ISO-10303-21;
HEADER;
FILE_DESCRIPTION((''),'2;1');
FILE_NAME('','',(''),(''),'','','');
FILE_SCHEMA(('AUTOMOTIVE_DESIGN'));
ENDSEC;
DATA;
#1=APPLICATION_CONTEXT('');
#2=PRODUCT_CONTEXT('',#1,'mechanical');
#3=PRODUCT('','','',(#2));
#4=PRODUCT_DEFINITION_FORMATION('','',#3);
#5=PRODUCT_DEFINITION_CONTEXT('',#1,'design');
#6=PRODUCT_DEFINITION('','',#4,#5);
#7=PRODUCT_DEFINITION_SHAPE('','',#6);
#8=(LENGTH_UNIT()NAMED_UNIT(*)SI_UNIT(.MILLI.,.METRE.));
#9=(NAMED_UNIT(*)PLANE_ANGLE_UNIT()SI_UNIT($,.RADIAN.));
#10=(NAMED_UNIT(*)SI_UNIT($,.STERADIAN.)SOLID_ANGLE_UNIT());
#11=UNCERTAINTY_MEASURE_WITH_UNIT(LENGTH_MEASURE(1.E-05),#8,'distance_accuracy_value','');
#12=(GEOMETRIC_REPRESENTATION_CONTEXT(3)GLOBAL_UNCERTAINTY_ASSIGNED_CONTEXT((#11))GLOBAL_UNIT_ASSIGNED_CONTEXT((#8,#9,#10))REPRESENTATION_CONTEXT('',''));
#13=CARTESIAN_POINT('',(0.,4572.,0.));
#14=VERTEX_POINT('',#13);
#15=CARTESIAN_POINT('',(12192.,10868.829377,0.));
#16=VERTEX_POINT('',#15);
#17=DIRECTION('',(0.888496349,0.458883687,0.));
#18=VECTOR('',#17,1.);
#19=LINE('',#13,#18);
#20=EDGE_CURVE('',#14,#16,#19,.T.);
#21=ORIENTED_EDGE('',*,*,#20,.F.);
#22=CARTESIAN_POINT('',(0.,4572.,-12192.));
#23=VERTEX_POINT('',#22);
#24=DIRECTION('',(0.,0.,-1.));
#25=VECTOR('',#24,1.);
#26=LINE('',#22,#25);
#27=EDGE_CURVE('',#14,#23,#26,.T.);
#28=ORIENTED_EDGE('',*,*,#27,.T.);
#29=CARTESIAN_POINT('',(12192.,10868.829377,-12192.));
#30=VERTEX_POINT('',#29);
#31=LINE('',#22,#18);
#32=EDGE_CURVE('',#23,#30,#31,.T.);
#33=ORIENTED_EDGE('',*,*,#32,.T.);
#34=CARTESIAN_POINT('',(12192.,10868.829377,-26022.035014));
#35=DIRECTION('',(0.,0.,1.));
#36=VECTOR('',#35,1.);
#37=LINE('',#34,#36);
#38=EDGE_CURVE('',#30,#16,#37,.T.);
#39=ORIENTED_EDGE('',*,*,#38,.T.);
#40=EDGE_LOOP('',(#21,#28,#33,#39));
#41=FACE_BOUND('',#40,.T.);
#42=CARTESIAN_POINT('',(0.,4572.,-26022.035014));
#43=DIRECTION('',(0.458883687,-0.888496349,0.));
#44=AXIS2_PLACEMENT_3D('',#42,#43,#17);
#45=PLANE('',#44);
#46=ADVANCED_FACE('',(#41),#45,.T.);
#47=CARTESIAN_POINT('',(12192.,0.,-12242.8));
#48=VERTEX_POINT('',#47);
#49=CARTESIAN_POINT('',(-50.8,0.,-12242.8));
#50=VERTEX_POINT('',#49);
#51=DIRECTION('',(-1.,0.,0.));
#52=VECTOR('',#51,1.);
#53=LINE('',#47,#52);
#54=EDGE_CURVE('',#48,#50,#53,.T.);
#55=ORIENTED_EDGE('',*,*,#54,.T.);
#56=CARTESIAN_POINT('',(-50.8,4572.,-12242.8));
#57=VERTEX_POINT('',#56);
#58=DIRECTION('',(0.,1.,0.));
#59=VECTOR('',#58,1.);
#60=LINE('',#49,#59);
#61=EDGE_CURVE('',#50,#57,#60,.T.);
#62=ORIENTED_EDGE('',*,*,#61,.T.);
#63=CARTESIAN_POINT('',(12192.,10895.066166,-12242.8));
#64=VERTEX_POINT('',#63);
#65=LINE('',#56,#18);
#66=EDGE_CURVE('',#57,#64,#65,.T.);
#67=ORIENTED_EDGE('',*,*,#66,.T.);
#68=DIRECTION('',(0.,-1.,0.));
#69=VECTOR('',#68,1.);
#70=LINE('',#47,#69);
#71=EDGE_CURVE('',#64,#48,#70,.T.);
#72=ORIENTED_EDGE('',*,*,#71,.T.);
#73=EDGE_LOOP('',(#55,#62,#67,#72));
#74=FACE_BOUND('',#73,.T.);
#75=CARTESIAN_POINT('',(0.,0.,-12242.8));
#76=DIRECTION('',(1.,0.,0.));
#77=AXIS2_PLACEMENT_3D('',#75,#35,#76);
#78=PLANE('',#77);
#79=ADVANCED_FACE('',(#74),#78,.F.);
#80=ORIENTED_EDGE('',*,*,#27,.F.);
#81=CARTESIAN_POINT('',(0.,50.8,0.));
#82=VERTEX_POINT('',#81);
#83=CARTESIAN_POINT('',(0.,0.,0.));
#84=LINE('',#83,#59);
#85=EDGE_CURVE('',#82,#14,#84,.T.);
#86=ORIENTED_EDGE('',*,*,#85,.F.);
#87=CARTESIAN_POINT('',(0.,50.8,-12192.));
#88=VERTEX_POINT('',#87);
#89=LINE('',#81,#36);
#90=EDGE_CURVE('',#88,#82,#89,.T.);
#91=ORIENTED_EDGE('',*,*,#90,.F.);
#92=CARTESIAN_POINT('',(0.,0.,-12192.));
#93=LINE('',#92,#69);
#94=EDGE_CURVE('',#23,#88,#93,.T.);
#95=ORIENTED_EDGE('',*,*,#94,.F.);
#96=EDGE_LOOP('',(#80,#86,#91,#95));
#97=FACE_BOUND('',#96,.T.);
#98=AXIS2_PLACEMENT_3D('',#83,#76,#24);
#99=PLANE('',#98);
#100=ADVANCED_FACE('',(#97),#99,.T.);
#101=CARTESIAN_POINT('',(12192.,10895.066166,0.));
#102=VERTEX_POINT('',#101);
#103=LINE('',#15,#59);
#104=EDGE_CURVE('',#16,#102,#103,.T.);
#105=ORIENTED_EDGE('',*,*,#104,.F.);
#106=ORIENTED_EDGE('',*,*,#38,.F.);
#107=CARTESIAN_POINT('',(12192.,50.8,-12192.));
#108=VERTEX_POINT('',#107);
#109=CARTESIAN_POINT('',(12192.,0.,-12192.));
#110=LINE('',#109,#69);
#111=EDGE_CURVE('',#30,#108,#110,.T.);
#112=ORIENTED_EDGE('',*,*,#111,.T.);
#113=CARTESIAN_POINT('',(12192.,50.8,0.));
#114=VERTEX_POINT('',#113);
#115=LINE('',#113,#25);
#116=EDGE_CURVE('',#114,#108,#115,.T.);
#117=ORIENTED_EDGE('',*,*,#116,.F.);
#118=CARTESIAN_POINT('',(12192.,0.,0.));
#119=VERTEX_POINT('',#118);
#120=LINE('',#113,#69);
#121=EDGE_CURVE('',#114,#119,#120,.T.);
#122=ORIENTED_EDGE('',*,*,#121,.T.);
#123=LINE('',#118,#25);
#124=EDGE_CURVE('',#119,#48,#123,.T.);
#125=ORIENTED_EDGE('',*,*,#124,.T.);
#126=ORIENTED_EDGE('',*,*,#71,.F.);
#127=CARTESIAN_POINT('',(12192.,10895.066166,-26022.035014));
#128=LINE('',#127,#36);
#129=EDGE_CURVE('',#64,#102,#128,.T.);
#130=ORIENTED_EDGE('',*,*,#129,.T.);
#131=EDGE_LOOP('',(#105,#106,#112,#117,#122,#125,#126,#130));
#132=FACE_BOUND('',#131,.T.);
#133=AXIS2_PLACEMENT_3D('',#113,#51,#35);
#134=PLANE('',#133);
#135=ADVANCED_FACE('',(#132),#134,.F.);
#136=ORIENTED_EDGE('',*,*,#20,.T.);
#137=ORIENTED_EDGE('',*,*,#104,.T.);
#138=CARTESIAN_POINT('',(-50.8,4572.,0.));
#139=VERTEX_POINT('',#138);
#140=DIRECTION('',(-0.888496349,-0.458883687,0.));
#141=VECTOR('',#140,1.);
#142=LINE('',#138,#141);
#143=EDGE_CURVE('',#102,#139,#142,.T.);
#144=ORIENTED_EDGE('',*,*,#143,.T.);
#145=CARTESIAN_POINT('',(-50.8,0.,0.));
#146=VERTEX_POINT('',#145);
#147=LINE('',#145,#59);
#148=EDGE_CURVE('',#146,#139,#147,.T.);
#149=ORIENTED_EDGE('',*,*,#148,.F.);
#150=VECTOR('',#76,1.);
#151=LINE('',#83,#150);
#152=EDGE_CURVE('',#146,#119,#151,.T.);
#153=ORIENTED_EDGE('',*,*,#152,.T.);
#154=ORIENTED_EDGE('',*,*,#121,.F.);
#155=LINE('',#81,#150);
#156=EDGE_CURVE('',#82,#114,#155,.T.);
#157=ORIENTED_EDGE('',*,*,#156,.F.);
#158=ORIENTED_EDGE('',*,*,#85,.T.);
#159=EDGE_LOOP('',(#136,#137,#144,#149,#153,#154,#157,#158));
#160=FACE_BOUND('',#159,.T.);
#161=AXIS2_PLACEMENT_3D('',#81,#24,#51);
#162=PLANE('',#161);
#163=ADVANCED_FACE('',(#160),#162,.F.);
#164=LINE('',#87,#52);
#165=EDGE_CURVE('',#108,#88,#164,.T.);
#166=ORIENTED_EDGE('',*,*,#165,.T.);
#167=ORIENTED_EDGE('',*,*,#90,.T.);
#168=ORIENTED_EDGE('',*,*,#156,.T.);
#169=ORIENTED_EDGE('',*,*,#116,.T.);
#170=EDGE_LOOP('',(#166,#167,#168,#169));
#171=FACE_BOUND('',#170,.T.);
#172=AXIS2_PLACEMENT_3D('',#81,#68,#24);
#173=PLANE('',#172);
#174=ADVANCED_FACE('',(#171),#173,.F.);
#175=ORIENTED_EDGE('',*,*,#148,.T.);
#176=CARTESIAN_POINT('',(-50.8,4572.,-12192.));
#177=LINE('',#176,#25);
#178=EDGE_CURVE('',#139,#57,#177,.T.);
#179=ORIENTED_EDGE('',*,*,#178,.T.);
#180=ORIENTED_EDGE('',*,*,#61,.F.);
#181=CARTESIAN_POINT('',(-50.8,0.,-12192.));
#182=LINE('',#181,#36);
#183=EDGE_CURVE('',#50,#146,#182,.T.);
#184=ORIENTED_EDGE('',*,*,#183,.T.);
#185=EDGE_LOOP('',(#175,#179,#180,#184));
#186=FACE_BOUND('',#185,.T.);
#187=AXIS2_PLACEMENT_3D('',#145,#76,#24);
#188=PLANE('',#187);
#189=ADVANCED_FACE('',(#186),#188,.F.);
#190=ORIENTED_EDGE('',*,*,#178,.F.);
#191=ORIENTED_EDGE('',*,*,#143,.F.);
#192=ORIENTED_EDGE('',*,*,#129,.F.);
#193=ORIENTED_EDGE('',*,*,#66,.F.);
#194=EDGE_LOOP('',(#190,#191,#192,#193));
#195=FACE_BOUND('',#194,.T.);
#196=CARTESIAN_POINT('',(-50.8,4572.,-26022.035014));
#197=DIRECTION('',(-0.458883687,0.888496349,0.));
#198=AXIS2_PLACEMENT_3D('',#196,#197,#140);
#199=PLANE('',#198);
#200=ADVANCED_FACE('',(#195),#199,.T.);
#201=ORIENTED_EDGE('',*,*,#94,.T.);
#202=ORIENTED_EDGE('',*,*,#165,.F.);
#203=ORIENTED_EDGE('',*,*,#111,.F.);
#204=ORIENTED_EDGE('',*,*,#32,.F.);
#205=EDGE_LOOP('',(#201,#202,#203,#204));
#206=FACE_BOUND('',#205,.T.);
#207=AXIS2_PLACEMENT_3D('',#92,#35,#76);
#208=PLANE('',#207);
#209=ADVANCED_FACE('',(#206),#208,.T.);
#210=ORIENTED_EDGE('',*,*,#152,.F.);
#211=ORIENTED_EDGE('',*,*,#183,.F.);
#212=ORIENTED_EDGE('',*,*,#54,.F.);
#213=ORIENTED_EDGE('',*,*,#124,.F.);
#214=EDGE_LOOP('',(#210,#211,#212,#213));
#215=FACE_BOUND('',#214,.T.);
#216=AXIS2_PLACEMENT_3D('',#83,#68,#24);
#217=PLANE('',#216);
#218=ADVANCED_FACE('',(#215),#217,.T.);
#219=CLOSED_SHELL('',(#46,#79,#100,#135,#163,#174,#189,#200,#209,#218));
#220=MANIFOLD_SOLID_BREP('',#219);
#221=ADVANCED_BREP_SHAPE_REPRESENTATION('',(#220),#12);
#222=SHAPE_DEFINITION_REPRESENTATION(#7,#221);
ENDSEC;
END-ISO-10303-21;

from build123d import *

# Parameters (mm, degrees)
SKETCH2_W           = 12192
SKETCH2_H           = 12192
BOSS_EXTRUDE1_DEPTH = 50.8
SKETCH3_W           = 12192
SKETCH3_H           = 4572
BOSS_EXTRUDE2_DEPTH = 50.8
SKETCH4_W           = 12242.8
SKETCH4_H           = 4572
BOSS_EXTRUDE3_DEPTH = 50.8
BOSS_EXTRUDE4_REACH = 17874.722
BOSS_EXTRUDE5_DEPTH = 50.8


with BuildPart() as part:
    # Sketch2 → Boss-Extrude1 (new body)
    with BuildSketch(Plane(origin=(0, 0, 0), x_dir=(1, 0, 0), z_dir=(0, 1, 0))):
        with Locations((6096, 6096)):
            Rectangle(SKETCH2_W, SKETCH2_H)
    extrude(amount=BOSS_EXTRUDE1_DEPTH)

    # Sketch3 → Boss-Extrude2 (add)
    with BuildSketch(Plane.ZY):
        with Locations((-6096, 2286)):
            Rectangle(SKETCH3_W, SKETCH3_H)
    extrude(amount=BOSS_EXTRUDE2_DEPTH)

    # Sketch4 → Boss-Extrude3 (add)
    with BuildSketch(Plane(origin=(0, 0, -12192), x_dir=(-1, 0, 0), z_dir=(0, 0, -1))):
        with Locations((-6070.6, 2286)):
            Rectangle(SKETCH4_W, SKETCH4_H)
    extrude(amount=BOSS_EXTRUDE3_DEPTH)

    # Boss-Extrude4: up to this face of the body (flat: up to its plane)
    boss_extrude4_end = Plane(part.part.faces().sort_by_distance((6070.6, 2286, -12242.8))[0])
    # Sketch5 → Boss-Extrude4 (add, up to the picked face)
    with BuildSketch(Plane.XY, mode=Mode.PRIVATE) as boss_extrude4_sk1:
        Polygon((-50.8, 4572), (0, 4572), (12192, 10868.829376601), (12192, 10895.06616567), align=None)
    boss_extrude4_tool1 = split(extrude(boss_extrude4_sk1.sketch, amount=-BOSS_EXTRUDE4_REACH, mode=Mode.PRIVATE), bisect_by=boss_extrude4_end, keep=Keep.BOTH, mode=Mode.PRIVATE)
    add(boss_extrude4_tool1.solids().sort_by(Axis((6083.291199, 7726.978431, 0), (0, 0, -1)))[0])

    # Sketch6 → Boss-Extrude5 (add)
    with BuildSketch(Plane(origin=(0, 0, -12242.8), x_dir=(-1, 0, 0), z_dir=(0, 0, -1))):
        Polygon((-12192, 10895.06616567), (-12192, 4572), (50.8, 4572), align=None)
    extrude(amount=-BOSS_EXTRUDE5_DEPTH)


solid = part.part
